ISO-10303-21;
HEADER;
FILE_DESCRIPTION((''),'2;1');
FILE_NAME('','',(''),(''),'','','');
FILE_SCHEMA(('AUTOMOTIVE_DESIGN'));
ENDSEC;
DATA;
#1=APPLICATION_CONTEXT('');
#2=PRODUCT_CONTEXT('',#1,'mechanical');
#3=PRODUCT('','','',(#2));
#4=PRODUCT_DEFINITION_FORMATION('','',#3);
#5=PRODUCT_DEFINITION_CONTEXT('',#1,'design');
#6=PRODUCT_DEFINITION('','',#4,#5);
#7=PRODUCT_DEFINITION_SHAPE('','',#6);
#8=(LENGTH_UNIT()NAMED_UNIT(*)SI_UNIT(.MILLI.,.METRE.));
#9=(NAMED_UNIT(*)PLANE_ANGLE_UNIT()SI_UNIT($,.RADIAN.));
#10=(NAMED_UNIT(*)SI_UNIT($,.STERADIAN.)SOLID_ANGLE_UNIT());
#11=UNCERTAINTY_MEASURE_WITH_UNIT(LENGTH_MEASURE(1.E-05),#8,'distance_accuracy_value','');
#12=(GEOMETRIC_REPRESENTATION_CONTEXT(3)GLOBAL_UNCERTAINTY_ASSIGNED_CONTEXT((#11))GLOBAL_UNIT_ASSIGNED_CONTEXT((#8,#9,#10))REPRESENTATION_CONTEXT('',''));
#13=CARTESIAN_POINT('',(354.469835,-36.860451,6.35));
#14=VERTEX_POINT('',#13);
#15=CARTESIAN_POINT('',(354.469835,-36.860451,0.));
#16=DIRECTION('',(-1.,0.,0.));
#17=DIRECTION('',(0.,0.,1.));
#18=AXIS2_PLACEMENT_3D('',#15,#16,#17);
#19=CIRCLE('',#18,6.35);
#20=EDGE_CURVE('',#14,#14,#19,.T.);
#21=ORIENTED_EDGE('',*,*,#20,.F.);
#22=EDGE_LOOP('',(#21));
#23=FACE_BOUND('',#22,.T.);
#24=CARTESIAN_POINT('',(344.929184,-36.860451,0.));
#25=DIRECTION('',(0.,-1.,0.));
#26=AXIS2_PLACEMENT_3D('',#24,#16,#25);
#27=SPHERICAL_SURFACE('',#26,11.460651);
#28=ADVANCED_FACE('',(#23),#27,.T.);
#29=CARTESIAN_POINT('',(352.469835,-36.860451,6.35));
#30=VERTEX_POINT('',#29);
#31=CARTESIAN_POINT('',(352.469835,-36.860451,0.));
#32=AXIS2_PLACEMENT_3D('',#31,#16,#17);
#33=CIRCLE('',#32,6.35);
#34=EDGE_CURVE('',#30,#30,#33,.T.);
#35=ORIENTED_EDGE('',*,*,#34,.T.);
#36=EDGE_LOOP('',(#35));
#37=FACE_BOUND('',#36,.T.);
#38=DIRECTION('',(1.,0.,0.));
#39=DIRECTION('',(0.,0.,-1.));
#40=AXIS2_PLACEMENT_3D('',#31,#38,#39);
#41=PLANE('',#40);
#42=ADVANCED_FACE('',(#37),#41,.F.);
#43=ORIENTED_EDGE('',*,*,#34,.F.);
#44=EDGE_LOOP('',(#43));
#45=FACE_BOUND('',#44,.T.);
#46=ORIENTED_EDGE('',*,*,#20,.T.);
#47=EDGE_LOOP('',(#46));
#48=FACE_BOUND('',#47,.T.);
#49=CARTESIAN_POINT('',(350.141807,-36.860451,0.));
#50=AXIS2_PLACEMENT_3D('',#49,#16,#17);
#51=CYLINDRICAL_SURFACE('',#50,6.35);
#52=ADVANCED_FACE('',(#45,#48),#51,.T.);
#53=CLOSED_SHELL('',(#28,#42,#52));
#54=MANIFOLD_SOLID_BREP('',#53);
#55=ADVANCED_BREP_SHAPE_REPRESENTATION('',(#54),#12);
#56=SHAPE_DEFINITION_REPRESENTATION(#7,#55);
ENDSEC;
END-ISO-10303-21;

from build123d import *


with BuildPart() as part:
    # 草图1 → 旋转1 (revolve)
    with BuildSketch(Plane.XY, mode=Mode.PRIVATE) as revolve_1_sk:
        with BuildLine():
            Line((352.469835081, -36.860451207), (352.469835081, -30.510451207))
            Line((352.469835081, -30.510451207), (354.469835081, -30.510451207))
            ThreePointArc((354.469835081, -30.510451207), (355.899338883, -33.543491002), (356.389835081, -36.860451207))
            Line((356.389835081, -36.860451207), (352.469835081, -36.860451207))
        make_face()
    revolve(revolve_1_sk.sketch.rotate(Axis((350.141806591, -36.860451207, 0), (1, 0, 0)), 180), axis=Axis((350.141806591, -36.860451207, 0), (1, 0, 0)))  # turned: the seam where the file's is


solid = part.part
